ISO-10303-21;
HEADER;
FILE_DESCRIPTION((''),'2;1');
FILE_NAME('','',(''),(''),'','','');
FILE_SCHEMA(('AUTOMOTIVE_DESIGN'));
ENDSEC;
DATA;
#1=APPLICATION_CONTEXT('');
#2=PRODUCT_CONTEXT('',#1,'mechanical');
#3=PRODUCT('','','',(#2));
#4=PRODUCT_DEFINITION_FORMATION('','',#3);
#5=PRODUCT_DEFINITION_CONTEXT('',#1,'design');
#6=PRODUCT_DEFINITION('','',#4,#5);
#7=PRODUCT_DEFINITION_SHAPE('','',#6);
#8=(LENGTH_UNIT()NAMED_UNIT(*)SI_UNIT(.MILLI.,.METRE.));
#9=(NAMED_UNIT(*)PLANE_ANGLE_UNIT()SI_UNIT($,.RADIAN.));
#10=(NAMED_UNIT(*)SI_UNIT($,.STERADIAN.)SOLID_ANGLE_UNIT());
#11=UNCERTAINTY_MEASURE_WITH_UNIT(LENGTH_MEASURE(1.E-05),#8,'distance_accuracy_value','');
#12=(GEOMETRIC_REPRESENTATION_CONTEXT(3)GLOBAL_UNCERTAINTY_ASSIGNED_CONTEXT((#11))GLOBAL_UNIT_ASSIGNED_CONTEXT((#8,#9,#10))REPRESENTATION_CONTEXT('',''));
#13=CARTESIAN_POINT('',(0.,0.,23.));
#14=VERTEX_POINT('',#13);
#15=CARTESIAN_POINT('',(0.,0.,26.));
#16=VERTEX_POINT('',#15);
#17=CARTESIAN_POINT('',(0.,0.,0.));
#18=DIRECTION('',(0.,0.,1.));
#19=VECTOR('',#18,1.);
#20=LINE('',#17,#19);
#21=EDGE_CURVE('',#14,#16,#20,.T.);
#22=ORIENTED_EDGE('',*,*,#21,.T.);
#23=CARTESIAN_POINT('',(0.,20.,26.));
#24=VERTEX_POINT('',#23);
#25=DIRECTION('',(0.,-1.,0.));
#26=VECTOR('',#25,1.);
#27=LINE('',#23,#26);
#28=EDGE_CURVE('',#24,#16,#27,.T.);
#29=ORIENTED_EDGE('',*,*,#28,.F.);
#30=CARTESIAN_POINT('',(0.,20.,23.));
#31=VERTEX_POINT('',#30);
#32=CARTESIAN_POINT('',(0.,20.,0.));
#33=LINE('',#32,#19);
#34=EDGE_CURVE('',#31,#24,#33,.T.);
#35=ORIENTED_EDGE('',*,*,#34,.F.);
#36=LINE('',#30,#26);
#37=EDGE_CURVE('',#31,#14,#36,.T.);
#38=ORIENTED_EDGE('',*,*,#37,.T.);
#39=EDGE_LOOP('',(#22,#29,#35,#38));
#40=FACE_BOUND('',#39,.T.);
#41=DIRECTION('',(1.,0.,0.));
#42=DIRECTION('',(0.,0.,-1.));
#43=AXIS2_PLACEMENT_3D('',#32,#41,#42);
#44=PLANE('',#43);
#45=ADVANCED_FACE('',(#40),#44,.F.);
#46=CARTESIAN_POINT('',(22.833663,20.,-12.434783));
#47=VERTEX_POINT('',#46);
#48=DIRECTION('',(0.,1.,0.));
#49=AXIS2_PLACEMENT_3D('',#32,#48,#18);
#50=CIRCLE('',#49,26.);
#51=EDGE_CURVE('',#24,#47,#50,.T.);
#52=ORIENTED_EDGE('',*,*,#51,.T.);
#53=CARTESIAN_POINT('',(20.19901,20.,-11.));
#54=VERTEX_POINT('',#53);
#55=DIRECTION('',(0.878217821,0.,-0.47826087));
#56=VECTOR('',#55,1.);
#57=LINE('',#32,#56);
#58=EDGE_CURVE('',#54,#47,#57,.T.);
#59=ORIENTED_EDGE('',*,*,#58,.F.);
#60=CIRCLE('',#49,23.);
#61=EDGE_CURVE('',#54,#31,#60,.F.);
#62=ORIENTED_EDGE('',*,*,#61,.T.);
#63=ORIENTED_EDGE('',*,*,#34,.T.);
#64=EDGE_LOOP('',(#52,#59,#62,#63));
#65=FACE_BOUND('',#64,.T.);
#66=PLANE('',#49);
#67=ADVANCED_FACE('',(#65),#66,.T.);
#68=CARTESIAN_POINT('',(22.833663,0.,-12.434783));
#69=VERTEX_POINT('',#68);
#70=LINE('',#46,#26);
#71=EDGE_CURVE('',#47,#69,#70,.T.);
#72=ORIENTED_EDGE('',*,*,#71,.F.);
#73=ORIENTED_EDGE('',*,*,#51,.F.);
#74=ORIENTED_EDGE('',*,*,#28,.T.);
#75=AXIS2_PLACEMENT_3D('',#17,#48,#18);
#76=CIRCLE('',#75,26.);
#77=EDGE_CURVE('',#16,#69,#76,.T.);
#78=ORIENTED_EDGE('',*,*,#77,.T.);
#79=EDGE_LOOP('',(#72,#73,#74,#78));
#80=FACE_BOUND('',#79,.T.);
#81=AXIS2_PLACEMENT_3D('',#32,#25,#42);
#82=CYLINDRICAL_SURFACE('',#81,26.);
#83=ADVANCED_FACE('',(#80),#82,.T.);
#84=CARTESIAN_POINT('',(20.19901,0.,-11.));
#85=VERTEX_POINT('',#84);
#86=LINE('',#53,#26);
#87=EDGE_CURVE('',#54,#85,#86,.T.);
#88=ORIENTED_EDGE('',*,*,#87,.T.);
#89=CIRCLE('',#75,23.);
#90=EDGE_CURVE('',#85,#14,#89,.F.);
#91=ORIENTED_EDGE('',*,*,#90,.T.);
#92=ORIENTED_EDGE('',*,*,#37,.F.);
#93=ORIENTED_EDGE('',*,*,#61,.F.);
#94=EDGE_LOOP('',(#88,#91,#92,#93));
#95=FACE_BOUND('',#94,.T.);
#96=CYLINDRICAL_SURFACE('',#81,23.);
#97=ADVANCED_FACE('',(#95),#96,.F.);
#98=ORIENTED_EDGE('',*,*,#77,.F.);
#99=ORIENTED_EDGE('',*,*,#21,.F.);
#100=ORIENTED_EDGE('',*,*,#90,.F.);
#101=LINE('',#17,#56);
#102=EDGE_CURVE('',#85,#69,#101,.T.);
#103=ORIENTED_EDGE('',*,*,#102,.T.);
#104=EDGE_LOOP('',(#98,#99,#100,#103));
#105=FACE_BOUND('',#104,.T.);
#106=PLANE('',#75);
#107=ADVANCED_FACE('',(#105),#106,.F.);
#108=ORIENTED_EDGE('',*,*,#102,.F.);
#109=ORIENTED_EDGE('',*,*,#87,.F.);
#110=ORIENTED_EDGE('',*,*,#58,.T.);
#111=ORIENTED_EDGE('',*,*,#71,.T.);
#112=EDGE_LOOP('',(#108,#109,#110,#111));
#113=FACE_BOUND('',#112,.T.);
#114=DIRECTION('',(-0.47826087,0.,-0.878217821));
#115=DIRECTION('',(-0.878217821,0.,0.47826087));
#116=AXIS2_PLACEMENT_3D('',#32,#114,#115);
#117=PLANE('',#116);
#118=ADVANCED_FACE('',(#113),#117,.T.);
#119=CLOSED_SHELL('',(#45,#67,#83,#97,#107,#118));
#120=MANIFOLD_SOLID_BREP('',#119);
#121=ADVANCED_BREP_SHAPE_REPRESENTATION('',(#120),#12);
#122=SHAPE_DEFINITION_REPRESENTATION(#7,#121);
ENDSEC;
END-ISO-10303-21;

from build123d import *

# Parameters (mm, degrees)
EXTRUDE_1_DEPTH = 20


with BuildPart() as part:
    # 草图1 → 凸台-拉伸1 (new body)
    with BuildSketch(Plane(origin=(0, 0, 0), x_dir=(1, 0, 0), z_dir=(0, 1, 0))):
        with BuildLine():
            Line((0, -23), (0, -26))
            ThreePointArc((0, -26), (22.352900794, -13.27960188), (22.833663339, 12.434782609))
            Line((22.833663339, 12.434782609), (20.199009877, 11))
            ThreePointArc((20.199009877, 11), (19.773719933, -11.747340124), (0, -23))
        make_face()
    extrude(amount=EXTRUDE_1_DEPTH)


solid = part.part
